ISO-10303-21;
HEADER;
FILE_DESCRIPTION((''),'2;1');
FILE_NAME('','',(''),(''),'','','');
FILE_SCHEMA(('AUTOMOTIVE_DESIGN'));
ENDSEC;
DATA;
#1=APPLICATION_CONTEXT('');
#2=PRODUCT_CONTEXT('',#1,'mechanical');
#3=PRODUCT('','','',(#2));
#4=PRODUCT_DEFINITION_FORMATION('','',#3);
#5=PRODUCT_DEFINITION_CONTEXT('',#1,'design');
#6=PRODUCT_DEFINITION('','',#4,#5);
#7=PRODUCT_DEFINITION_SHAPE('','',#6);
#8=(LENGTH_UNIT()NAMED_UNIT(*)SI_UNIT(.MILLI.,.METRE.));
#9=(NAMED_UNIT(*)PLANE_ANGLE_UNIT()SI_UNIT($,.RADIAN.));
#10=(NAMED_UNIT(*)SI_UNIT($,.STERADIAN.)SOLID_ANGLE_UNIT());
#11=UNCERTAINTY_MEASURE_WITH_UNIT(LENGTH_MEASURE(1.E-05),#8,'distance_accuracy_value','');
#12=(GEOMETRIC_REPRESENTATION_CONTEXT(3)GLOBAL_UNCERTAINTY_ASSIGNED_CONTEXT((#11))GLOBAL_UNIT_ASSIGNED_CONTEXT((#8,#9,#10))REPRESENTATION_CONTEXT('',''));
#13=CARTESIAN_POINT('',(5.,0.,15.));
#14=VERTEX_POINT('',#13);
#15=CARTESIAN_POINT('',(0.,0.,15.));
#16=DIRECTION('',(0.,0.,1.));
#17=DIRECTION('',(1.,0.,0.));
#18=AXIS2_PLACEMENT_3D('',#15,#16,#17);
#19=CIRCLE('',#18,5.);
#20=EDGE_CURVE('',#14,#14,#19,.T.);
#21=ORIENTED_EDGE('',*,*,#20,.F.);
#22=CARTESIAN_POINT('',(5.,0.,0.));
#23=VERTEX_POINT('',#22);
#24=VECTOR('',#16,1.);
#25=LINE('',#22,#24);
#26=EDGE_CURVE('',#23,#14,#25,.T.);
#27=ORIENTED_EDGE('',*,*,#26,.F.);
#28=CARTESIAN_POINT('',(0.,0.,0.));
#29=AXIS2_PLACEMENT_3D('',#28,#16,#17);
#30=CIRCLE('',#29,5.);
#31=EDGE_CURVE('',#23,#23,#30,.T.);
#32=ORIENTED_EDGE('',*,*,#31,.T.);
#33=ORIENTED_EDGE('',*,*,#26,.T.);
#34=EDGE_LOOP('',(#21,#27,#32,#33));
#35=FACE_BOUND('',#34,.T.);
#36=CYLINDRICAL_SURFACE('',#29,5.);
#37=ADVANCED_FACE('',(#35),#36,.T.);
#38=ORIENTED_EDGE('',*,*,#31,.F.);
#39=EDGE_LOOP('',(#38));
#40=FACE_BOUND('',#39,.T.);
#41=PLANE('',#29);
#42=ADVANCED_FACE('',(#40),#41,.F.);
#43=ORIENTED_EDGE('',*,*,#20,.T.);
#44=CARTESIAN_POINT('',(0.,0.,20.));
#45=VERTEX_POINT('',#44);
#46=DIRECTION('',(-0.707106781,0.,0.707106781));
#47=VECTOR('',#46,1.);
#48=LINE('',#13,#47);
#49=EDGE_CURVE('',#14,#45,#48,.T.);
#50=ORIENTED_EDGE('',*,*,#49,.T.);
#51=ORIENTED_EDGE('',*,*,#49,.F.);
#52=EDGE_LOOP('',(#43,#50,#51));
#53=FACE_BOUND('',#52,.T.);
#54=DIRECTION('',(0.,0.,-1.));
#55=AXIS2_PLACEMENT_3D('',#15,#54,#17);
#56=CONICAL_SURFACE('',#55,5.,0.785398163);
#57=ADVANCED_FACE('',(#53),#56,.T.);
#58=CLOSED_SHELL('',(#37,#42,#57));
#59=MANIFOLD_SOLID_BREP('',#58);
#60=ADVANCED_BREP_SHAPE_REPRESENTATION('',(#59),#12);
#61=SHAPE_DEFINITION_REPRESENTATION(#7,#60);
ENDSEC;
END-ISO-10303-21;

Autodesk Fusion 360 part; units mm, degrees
cylinder "CylinderPrimitive1" add diameter 10 height 20 placed x (1, 0, 0) y (0, 1, 0) z (0, 0, 1) at (0, 0, 0)
chamfer "Chamfer1" distance 5 angle 45 1 edges at (-4.6616, -1.8081, 20)
component "Base" placed x (1, 0, 0) y (0, 1, 0) z (0, 0, 1) at (0, 0, 0)
